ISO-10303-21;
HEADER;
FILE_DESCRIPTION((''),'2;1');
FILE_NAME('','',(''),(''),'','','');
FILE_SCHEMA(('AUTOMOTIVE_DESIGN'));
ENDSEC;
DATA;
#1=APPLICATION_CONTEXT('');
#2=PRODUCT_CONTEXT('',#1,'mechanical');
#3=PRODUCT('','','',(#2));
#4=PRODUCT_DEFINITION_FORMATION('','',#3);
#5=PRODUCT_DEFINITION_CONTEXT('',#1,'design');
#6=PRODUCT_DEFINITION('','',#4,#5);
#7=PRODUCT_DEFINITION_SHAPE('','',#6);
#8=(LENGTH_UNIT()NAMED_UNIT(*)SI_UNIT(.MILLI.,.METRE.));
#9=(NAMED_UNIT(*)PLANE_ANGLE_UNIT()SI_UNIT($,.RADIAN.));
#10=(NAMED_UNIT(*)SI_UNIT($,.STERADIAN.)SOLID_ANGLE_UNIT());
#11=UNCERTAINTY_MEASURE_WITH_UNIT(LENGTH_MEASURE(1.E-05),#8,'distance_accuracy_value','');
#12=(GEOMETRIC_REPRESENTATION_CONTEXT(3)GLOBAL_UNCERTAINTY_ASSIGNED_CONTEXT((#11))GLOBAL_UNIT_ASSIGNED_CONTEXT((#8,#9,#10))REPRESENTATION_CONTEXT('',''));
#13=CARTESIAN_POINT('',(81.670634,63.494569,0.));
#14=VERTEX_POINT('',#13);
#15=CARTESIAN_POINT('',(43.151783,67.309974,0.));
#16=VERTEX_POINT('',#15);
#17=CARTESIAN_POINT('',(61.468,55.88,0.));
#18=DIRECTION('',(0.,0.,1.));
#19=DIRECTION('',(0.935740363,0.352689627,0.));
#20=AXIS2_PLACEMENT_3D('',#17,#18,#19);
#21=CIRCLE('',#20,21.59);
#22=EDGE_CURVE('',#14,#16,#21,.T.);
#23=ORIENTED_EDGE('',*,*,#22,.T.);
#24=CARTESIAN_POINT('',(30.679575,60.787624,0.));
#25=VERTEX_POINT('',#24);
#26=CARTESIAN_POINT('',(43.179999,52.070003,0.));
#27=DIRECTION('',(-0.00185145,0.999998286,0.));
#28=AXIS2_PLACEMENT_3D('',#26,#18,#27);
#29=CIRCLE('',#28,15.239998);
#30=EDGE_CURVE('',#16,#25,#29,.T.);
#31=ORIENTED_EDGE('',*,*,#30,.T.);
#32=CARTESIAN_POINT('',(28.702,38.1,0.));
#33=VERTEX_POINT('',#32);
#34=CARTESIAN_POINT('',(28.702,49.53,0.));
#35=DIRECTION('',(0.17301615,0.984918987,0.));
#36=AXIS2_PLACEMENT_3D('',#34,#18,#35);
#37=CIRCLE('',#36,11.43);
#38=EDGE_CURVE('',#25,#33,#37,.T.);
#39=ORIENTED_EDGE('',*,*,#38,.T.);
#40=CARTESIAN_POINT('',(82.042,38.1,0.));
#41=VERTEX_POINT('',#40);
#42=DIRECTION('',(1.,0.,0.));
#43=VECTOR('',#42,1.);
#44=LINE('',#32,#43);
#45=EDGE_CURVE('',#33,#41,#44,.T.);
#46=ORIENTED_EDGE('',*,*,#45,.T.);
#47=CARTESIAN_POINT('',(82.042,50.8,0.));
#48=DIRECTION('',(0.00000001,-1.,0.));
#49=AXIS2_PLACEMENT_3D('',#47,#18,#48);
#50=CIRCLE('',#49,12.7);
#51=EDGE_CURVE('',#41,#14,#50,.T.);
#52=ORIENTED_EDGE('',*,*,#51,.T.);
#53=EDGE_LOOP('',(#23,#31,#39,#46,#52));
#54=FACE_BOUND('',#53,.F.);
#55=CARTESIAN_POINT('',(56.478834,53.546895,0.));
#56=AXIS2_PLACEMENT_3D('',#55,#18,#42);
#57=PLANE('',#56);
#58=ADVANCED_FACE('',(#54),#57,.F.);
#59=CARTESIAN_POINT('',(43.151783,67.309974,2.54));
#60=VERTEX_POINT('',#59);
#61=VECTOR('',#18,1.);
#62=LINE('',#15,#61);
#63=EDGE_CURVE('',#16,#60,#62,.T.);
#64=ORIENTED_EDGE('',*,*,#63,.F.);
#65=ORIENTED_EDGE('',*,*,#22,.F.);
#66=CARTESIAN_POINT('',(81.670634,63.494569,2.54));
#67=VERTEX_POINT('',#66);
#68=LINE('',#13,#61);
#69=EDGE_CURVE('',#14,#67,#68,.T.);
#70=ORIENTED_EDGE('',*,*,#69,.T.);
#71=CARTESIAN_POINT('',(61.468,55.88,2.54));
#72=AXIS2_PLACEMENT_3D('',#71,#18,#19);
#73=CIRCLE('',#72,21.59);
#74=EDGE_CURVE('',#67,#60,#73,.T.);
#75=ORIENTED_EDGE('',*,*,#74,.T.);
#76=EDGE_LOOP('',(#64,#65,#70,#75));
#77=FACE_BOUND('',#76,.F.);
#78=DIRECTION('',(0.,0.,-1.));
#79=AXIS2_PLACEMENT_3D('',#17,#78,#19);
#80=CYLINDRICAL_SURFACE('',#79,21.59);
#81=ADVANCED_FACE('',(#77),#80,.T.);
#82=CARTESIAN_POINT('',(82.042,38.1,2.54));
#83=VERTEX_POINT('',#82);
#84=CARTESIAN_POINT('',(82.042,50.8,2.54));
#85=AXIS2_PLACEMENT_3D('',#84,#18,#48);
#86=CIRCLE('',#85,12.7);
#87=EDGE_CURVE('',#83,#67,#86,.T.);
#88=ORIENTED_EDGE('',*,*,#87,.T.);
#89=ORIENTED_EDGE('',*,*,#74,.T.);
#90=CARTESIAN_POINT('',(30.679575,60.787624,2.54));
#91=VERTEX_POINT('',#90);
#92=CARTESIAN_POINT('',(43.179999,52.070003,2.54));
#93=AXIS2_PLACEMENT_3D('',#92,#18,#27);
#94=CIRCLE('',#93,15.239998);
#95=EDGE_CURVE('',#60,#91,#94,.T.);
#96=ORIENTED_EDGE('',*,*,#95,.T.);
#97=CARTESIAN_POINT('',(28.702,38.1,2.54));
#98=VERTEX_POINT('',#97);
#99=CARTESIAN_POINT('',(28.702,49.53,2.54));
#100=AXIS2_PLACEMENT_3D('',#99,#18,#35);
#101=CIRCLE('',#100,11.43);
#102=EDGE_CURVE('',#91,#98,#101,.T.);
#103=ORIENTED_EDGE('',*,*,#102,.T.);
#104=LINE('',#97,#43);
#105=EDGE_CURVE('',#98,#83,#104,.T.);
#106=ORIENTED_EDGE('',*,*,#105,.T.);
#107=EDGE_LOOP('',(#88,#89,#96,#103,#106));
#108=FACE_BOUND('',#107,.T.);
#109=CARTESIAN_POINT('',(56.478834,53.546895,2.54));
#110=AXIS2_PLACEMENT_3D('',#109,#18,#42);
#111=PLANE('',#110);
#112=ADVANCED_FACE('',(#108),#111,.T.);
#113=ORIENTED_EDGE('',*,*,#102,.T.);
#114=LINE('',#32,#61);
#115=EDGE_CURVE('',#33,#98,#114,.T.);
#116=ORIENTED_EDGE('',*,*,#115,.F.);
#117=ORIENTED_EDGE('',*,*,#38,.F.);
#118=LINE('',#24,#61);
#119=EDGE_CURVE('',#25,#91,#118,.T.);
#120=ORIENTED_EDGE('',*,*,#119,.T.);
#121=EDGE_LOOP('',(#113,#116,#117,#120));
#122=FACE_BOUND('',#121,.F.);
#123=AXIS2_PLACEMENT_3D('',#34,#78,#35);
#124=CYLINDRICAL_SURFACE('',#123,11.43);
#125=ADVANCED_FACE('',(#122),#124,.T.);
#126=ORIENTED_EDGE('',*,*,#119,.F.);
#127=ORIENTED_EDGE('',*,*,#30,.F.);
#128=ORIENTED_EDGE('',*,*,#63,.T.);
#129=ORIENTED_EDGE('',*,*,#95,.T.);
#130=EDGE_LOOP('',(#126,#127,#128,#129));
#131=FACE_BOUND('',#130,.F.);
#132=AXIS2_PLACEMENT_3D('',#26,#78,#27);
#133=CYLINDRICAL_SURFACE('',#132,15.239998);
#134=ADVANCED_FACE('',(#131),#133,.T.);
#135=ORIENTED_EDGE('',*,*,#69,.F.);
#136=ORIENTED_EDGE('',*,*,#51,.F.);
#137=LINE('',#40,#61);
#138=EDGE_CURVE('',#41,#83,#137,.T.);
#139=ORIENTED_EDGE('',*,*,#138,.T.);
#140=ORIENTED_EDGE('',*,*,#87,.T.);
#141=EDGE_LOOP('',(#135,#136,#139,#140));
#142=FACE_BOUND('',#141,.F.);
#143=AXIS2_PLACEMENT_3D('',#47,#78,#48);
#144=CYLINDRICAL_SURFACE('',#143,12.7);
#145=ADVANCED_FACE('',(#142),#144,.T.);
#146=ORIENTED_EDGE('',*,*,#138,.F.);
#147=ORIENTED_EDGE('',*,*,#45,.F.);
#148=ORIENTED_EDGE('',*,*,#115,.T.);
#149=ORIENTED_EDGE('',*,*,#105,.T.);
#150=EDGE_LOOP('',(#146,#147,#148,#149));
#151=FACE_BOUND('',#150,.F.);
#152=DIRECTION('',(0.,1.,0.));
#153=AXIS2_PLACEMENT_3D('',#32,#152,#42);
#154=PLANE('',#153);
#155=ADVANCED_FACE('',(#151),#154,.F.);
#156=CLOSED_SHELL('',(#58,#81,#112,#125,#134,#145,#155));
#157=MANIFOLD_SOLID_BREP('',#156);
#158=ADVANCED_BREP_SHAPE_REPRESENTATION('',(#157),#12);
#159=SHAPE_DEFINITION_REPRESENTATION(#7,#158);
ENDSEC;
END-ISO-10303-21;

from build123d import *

# Parameters (mm, degrees)
PAD_DEPTH = 2.54


with BuildPart() as part:
    # Sketch → Pad (new body)
    with BuildSketch(Plane.XY):
        with BuildLine():
            ThreePointArc((30.679575, 60.787624), (17.315176, 50.522537), (28.702, 38.1))
            Line((28.702, 38.1), (82.042, 38.1))
            ThreePointArc((82.042, 38.1), (94.740642, 50.985703), (81.670634, 63.494569))
            ThreePointArc((81.670634, 63.494569), (63.596138, 77.364858), (43.151783, 67.309974))
            ThreePointArc((43.151783, 67.309974), (36.117636, 65.574837), (30.679575, 60.787624))
        make_face()
    extrude(amount=PAD_DEPTH)


solid = part.part
